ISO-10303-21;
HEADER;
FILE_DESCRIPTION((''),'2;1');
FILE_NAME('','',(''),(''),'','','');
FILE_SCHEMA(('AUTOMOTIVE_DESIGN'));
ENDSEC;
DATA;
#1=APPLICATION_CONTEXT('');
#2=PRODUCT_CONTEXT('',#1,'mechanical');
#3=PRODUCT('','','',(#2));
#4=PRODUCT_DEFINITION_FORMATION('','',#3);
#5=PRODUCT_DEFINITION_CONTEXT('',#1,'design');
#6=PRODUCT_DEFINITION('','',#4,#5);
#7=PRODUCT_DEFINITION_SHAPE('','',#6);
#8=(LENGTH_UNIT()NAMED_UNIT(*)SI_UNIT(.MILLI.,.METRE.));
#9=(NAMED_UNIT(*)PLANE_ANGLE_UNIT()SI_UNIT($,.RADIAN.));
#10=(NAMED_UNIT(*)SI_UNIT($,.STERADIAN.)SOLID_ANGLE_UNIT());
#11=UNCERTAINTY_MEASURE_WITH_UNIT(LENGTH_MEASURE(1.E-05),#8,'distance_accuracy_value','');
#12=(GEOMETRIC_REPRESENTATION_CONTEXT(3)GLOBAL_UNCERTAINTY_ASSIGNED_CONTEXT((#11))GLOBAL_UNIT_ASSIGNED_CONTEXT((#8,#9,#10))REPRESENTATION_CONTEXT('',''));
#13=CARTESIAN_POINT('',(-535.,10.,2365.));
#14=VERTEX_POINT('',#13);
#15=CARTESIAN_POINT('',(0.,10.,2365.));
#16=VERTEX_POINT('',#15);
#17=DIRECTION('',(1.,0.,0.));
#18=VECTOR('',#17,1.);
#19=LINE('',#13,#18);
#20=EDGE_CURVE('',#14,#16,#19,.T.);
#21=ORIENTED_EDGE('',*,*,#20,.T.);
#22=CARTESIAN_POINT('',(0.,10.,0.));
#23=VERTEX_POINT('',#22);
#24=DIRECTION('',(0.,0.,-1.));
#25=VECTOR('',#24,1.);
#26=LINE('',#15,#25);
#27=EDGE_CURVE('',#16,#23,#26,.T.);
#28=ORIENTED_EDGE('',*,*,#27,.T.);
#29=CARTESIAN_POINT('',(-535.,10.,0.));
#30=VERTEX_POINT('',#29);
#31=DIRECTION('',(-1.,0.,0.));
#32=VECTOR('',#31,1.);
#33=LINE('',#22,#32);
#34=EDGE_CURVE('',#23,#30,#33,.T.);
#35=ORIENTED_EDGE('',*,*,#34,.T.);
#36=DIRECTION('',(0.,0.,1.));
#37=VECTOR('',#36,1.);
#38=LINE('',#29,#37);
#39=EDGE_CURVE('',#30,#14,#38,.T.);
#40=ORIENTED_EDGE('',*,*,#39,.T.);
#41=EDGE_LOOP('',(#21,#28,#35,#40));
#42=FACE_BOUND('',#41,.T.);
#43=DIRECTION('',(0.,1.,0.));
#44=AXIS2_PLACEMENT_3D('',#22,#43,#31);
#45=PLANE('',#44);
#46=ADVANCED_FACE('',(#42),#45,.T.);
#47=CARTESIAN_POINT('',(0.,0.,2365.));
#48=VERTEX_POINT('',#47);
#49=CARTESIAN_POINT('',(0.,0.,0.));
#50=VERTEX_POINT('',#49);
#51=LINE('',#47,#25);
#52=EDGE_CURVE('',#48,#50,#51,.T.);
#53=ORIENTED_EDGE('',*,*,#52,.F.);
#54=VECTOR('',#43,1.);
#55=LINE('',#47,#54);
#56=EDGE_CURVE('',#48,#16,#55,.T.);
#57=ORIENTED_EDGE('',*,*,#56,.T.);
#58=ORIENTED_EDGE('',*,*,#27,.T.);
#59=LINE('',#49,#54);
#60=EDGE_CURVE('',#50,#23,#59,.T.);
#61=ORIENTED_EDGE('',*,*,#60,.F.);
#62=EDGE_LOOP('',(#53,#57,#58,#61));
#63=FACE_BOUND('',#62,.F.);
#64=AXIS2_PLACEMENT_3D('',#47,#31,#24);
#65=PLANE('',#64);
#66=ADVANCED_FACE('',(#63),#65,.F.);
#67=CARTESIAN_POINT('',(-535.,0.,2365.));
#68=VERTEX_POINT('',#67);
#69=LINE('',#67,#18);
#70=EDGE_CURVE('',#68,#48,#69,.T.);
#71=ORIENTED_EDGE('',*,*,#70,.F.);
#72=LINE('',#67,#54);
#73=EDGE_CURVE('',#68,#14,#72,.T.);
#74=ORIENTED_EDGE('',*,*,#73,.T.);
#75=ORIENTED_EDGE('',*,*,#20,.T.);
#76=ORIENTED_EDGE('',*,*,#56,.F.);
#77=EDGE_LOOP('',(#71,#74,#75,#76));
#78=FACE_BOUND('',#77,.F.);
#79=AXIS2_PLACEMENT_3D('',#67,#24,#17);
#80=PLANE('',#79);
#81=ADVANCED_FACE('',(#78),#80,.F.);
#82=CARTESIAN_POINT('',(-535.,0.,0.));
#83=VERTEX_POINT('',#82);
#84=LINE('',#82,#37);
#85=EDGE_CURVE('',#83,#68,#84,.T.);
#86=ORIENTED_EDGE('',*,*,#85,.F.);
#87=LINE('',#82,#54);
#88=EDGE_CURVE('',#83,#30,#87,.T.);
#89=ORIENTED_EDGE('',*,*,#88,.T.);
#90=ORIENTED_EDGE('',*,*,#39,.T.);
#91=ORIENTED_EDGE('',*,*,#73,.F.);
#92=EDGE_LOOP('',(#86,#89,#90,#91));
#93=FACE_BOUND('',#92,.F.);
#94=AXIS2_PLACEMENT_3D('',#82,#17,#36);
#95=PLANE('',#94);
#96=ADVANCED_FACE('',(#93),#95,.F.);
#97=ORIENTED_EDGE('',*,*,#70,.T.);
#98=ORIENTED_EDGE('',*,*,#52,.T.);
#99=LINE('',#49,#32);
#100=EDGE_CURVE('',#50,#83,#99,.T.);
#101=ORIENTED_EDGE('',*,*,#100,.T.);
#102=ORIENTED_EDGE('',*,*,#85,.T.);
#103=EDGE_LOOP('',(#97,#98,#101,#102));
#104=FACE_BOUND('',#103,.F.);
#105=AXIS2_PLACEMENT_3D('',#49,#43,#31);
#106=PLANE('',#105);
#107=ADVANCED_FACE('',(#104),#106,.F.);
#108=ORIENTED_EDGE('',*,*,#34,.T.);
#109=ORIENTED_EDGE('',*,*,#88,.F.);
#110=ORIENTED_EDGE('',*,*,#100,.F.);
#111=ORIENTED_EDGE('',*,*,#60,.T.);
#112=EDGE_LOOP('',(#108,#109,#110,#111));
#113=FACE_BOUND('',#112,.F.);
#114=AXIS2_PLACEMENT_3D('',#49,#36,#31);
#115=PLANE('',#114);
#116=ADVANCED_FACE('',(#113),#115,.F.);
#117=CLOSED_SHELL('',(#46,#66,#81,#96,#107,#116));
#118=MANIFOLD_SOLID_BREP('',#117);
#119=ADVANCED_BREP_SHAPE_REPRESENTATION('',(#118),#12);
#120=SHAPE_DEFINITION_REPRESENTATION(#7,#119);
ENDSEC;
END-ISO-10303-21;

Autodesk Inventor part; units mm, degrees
ref_plane "YZ Plane" through (0, 0, 0) normal (1, 0, 0) x (0, 1, 0)
ref_plane "XZ Plane" through (0, 0, 0) normal (0, 1, 0) x (-1, 0, 0)
ref_plane "XY Plane" through (0, 0, 0) normal (0, 0, 1) x (1, 0, 0)
sketch "Boceto1" plane through (0, 0, 0) normal (0, 1, 0) x (-1, 0, 0)
  line L0 (0, 0) -> (535, 0)
  line L1 (535, 0) -> (535, 2365)
  line L2 (535, 2365) -> (0, 2365)
  line L3 (0, 2365) -> (0, 0)
  dimension "d0" = 535
  dimension "d1" = 2365
extrude "Extrusión1" add sketch "Boceto1" along normal blind 10
properties part number "placa grande"
